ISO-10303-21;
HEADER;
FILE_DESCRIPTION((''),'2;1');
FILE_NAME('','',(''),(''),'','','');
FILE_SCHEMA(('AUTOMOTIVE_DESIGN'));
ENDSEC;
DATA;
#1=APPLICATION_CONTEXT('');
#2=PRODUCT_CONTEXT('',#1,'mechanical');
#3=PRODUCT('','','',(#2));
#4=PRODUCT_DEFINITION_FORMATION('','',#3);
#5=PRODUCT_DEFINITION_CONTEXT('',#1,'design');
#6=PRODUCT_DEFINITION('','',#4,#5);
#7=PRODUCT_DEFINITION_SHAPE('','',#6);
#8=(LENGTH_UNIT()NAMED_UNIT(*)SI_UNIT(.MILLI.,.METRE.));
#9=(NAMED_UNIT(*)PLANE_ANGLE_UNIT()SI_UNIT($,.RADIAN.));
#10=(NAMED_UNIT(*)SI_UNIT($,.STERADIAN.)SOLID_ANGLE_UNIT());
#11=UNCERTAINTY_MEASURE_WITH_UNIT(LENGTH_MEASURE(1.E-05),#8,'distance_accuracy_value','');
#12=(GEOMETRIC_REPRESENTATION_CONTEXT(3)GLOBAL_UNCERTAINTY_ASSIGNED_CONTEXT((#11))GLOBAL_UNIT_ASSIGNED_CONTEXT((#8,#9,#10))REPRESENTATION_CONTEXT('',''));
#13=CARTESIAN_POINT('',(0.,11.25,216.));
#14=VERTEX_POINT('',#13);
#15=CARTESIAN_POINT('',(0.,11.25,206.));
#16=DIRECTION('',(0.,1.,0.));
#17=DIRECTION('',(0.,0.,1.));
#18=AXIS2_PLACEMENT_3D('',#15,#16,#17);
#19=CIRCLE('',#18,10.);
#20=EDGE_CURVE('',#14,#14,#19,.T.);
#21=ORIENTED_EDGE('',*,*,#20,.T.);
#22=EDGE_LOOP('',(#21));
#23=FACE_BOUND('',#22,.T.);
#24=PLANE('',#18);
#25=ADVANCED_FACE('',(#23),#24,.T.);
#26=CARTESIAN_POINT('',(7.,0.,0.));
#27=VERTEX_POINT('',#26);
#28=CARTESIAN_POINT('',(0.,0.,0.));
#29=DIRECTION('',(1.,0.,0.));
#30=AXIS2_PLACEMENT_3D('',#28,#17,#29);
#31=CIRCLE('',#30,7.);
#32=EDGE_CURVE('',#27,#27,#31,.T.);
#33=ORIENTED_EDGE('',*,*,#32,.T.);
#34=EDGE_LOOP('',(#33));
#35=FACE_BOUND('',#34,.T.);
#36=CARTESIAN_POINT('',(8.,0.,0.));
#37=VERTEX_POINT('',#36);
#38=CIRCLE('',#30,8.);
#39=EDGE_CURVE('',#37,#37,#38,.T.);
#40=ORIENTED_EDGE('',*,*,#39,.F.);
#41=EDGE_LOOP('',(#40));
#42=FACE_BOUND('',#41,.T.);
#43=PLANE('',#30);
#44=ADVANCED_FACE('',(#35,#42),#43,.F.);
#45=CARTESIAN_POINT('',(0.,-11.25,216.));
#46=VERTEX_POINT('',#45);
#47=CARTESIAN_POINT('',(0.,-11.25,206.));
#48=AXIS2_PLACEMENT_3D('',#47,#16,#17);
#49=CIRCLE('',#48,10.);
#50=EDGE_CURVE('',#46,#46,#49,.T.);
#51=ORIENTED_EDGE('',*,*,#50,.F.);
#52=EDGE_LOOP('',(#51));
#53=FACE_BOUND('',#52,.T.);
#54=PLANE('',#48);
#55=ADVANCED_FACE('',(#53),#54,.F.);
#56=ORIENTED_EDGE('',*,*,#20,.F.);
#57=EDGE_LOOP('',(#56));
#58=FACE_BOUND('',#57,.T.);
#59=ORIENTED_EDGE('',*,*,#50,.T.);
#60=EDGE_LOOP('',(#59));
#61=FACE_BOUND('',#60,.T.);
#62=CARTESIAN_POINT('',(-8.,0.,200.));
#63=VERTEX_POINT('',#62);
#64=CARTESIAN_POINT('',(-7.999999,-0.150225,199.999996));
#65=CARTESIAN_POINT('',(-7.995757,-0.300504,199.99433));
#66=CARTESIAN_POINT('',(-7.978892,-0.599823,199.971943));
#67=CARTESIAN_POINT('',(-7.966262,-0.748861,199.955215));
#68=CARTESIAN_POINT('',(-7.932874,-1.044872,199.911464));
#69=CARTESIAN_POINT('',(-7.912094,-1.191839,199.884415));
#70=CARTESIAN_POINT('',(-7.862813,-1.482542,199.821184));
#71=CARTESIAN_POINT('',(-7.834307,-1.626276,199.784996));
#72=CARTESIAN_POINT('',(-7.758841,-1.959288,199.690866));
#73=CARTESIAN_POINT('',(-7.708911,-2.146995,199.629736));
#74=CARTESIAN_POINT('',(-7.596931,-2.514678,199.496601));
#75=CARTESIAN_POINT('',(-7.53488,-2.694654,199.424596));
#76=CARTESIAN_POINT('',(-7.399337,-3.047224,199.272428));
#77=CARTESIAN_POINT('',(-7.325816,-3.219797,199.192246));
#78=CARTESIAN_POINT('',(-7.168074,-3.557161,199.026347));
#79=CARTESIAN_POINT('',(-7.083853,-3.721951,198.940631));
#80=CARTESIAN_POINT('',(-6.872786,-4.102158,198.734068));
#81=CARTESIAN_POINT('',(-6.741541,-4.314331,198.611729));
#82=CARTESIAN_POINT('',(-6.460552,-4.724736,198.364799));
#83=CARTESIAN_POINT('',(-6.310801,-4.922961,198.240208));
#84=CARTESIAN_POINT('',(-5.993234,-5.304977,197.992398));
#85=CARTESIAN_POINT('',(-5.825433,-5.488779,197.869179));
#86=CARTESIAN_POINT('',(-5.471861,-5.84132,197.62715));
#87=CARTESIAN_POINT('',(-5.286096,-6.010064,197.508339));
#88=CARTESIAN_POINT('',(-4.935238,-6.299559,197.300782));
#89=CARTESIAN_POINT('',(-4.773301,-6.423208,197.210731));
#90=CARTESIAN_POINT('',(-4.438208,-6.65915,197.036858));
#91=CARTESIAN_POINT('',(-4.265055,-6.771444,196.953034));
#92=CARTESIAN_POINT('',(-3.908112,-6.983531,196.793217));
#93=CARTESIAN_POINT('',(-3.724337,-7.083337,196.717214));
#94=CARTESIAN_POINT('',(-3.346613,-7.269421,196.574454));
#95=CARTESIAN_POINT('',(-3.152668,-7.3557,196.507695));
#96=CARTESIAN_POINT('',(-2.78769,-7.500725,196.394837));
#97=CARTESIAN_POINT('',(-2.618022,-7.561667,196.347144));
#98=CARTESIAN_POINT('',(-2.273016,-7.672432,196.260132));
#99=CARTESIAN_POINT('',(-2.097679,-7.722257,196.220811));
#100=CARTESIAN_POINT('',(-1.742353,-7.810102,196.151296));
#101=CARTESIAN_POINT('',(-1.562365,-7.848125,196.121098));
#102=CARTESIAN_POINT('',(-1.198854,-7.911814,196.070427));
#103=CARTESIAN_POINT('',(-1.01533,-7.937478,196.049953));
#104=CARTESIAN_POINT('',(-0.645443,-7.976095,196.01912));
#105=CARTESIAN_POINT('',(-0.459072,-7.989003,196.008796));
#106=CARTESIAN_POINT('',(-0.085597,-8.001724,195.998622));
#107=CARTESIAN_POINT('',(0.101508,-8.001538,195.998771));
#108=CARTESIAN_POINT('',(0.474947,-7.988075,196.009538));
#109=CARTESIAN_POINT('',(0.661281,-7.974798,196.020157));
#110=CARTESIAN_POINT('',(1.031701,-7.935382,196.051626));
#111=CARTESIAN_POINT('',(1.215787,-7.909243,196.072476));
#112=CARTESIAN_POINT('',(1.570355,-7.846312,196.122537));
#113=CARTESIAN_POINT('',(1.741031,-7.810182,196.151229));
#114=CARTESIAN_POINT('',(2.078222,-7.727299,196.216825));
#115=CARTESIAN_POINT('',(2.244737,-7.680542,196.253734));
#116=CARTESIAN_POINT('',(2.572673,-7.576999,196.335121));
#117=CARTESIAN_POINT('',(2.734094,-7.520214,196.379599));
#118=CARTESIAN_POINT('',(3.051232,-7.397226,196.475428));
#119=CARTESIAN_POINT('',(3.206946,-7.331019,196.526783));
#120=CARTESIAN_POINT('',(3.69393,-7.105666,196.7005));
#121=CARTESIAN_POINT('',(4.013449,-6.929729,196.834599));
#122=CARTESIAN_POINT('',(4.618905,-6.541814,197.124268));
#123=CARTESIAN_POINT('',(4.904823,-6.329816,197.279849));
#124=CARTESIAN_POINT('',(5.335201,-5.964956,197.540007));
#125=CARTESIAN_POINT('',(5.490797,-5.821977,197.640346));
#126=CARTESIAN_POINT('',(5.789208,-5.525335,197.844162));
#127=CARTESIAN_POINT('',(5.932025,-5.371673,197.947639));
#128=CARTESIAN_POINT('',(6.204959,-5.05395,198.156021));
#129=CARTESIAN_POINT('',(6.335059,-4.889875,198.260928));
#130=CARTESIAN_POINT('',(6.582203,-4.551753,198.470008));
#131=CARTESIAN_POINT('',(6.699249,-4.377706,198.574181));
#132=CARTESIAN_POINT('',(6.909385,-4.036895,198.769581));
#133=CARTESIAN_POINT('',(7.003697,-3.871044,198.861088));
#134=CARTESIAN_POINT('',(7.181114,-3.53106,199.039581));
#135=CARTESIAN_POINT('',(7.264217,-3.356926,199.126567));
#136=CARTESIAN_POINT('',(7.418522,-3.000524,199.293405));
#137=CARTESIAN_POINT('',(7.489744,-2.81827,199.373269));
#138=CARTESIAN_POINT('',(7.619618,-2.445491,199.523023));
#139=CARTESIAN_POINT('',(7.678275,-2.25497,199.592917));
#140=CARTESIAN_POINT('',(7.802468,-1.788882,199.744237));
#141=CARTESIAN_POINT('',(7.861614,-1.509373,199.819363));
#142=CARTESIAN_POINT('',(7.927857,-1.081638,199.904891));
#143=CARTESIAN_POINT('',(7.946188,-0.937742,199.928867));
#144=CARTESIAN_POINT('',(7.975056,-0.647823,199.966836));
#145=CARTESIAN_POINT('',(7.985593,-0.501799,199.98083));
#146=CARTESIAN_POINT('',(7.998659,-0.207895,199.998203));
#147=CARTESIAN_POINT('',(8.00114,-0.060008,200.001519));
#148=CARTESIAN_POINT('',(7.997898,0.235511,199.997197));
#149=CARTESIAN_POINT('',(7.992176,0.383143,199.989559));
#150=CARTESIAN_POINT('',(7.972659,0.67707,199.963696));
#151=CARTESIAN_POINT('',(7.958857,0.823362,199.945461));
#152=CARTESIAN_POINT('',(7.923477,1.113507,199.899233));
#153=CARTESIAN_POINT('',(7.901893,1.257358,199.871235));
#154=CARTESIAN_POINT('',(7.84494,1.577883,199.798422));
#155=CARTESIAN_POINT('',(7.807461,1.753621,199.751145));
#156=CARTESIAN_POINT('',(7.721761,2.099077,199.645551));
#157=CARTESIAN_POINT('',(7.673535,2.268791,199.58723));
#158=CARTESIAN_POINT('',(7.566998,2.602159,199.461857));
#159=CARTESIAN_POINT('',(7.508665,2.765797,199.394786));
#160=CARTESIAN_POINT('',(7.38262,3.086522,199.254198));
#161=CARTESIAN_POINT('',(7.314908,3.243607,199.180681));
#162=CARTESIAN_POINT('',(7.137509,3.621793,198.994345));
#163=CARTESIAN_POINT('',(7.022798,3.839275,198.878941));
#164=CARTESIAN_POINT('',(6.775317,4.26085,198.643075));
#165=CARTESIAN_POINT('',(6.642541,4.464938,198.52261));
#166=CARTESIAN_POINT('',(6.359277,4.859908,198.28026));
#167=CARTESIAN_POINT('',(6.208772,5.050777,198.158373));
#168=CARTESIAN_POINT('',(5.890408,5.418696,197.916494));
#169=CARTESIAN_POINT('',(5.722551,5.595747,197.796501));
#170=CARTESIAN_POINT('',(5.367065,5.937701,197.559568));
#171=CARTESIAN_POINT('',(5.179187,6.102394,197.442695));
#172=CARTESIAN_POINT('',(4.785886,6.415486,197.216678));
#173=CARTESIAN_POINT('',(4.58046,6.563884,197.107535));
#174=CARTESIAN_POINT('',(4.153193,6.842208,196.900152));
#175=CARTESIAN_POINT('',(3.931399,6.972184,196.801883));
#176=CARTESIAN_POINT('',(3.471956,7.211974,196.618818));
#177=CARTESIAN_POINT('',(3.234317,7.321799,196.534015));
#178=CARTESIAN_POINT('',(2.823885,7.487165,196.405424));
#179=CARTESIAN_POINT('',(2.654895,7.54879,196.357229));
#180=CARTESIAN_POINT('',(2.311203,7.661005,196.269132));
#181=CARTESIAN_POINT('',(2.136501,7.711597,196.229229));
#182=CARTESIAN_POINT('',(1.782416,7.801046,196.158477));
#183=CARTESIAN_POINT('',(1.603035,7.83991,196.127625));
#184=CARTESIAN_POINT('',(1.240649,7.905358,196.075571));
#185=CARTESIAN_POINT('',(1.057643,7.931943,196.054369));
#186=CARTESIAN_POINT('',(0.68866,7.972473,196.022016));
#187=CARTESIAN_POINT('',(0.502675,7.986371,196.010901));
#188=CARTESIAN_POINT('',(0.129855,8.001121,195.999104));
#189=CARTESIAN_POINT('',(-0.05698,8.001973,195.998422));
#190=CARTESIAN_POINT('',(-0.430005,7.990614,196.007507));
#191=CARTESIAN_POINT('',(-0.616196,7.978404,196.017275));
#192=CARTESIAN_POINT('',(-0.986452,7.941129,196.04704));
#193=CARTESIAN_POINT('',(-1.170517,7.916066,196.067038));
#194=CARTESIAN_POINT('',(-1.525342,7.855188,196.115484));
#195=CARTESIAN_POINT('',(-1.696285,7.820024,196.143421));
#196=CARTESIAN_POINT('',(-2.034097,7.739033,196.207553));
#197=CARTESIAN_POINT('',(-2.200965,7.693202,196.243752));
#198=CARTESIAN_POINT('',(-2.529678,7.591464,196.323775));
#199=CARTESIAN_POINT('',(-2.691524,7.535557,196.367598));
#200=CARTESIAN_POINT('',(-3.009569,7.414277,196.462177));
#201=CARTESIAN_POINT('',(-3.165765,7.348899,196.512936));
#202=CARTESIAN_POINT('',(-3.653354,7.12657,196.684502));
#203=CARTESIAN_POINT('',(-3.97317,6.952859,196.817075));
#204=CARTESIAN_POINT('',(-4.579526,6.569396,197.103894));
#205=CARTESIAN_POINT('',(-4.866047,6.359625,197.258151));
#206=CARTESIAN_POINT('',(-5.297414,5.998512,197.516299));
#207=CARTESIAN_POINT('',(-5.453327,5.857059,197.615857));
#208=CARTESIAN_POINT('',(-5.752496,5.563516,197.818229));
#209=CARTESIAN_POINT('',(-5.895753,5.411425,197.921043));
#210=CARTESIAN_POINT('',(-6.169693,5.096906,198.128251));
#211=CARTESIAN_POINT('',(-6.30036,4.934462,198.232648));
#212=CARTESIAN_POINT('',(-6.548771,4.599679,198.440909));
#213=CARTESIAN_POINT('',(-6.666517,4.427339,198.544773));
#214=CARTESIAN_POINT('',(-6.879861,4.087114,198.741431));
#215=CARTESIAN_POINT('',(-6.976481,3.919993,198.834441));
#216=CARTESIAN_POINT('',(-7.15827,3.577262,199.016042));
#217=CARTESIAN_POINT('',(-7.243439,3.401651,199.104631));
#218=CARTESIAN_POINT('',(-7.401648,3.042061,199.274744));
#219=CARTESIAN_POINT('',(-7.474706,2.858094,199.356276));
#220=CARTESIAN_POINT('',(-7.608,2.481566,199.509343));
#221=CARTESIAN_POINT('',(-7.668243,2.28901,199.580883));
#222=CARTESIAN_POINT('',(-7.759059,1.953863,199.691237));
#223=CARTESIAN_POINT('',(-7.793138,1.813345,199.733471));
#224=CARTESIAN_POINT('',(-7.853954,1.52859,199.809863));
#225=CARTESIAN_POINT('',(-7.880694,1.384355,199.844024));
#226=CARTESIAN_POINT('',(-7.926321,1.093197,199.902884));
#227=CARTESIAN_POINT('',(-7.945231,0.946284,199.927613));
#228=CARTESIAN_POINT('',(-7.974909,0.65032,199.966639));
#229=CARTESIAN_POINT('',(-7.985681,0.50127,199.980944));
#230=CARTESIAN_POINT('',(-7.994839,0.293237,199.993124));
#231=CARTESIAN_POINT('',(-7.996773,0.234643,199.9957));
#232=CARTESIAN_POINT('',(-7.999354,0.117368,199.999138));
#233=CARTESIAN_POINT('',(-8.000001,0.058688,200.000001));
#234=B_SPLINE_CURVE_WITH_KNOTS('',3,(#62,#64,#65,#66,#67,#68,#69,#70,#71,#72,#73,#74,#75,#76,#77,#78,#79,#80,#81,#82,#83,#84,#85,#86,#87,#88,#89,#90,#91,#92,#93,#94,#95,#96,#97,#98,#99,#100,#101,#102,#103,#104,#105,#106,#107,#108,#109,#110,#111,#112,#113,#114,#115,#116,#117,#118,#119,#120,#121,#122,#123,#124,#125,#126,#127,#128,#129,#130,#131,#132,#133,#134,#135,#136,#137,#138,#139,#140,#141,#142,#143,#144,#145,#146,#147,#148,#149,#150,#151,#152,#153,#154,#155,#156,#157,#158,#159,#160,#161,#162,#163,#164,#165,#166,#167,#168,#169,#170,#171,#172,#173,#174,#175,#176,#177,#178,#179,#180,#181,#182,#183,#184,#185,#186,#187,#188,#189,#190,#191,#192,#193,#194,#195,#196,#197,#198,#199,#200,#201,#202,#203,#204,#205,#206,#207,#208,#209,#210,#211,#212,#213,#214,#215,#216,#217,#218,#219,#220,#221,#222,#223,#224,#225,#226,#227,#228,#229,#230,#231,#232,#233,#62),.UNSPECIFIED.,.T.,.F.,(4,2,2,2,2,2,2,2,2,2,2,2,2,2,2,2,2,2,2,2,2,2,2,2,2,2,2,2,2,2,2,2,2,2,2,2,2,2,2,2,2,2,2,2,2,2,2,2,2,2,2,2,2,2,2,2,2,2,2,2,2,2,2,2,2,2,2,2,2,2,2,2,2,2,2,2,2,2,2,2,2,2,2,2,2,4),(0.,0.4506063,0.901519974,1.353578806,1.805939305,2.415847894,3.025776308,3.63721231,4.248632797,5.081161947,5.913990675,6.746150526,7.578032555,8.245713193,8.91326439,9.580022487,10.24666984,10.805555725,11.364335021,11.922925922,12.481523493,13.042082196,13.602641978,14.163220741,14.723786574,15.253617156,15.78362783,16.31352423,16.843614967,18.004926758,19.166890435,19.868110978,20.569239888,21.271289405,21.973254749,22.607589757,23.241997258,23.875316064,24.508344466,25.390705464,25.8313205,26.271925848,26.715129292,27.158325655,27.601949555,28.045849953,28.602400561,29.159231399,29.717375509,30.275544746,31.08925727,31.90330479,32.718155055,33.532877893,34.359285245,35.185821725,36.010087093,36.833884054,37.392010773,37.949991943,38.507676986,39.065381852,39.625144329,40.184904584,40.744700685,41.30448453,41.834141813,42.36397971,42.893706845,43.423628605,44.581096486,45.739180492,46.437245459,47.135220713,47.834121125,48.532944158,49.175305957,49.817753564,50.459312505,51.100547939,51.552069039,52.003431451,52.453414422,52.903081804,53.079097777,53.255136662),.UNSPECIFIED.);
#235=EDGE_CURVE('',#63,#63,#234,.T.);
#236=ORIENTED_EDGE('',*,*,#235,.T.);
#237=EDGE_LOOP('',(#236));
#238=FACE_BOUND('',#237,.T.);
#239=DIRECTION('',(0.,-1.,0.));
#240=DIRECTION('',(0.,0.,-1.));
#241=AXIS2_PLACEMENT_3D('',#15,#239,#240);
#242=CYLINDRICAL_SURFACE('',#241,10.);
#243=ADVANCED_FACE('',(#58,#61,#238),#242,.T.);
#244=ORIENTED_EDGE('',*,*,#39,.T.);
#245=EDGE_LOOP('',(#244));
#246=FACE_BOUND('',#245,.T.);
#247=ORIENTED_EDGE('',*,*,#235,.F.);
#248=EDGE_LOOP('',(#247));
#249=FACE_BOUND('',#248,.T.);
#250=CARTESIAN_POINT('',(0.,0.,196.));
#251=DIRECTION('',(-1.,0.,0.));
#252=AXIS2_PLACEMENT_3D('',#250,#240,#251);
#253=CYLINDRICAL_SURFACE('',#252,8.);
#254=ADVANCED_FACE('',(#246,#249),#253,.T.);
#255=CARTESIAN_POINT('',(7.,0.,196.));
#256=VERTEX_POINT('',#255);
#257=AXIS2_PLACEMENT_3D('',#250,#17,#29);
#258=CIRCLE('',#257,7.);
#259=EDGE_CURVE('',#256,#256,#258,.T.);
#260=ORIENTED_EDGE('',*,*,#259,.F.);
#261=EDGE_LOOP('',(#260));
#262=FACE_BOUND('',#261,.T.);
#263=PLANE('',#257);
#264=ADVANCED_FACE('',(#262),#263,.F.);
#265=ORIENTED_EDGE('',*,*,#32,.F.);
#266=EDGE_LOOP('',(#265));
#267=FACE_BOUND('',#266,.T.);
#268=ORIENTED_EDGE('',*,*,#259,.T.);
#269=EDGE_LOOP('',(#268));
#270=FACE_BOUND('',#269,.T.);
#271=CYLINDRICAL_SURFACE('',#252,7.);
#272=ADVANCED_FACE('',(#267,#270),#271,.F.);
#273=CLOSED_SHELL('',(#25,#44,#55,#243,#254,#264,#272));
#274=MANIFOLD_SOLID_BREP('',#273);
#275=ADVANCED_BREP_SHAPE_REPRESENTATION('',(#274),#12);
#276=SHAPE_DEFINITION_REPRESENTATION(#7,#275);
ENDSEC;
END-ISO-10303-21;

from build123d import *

# Parameters (mm, degrees)
SKETCH2_R           = 8
SKETCH2_R_2         = 7
BOSS_EXTRUDE1_DEPTH = 196
SKETCH3_R           = 8
BOSS_EXTRUDE2_DEPTH = 4
SKETCH6_R           = 10
BOSS_EXTRUDE3_DEPTH = 11.25


with BuildPart() as part:
    # Sketch2 → Boss-Extrude1 (new body)
    with BuildSketch(Plane.XY):
        Circle(SKETCH2_R)
        Circle(SKETCH2_R_2, mode=Mode.SUBTRACT)
    extrude(amount=BOSS_EXTRUDE1_DEPTH)

    # Sketch3 → Boss-Extrude2 (add)
    with BuildSketch(Plane.XY.offset(196)):
        Circle(SKETCH3_R)
    extrude(amount=BOSS_EXTRUDE2_DEPTH)

    # Sketch6 → Boss-Extrude3 (add, symmetric)
    with BuildSketch(Plane(origin=(0, 0, 0), x_dir=(1, 0, 0), z_dir=(0, 1, 0))):
        with Locations(Location((0, -206, 0), (0, 0, 270))):
            Circle(SKETCH6_R)
    extrude(amount=BOSS_EXTRUDE3_DEPTH, both=True)


solid = part.part
